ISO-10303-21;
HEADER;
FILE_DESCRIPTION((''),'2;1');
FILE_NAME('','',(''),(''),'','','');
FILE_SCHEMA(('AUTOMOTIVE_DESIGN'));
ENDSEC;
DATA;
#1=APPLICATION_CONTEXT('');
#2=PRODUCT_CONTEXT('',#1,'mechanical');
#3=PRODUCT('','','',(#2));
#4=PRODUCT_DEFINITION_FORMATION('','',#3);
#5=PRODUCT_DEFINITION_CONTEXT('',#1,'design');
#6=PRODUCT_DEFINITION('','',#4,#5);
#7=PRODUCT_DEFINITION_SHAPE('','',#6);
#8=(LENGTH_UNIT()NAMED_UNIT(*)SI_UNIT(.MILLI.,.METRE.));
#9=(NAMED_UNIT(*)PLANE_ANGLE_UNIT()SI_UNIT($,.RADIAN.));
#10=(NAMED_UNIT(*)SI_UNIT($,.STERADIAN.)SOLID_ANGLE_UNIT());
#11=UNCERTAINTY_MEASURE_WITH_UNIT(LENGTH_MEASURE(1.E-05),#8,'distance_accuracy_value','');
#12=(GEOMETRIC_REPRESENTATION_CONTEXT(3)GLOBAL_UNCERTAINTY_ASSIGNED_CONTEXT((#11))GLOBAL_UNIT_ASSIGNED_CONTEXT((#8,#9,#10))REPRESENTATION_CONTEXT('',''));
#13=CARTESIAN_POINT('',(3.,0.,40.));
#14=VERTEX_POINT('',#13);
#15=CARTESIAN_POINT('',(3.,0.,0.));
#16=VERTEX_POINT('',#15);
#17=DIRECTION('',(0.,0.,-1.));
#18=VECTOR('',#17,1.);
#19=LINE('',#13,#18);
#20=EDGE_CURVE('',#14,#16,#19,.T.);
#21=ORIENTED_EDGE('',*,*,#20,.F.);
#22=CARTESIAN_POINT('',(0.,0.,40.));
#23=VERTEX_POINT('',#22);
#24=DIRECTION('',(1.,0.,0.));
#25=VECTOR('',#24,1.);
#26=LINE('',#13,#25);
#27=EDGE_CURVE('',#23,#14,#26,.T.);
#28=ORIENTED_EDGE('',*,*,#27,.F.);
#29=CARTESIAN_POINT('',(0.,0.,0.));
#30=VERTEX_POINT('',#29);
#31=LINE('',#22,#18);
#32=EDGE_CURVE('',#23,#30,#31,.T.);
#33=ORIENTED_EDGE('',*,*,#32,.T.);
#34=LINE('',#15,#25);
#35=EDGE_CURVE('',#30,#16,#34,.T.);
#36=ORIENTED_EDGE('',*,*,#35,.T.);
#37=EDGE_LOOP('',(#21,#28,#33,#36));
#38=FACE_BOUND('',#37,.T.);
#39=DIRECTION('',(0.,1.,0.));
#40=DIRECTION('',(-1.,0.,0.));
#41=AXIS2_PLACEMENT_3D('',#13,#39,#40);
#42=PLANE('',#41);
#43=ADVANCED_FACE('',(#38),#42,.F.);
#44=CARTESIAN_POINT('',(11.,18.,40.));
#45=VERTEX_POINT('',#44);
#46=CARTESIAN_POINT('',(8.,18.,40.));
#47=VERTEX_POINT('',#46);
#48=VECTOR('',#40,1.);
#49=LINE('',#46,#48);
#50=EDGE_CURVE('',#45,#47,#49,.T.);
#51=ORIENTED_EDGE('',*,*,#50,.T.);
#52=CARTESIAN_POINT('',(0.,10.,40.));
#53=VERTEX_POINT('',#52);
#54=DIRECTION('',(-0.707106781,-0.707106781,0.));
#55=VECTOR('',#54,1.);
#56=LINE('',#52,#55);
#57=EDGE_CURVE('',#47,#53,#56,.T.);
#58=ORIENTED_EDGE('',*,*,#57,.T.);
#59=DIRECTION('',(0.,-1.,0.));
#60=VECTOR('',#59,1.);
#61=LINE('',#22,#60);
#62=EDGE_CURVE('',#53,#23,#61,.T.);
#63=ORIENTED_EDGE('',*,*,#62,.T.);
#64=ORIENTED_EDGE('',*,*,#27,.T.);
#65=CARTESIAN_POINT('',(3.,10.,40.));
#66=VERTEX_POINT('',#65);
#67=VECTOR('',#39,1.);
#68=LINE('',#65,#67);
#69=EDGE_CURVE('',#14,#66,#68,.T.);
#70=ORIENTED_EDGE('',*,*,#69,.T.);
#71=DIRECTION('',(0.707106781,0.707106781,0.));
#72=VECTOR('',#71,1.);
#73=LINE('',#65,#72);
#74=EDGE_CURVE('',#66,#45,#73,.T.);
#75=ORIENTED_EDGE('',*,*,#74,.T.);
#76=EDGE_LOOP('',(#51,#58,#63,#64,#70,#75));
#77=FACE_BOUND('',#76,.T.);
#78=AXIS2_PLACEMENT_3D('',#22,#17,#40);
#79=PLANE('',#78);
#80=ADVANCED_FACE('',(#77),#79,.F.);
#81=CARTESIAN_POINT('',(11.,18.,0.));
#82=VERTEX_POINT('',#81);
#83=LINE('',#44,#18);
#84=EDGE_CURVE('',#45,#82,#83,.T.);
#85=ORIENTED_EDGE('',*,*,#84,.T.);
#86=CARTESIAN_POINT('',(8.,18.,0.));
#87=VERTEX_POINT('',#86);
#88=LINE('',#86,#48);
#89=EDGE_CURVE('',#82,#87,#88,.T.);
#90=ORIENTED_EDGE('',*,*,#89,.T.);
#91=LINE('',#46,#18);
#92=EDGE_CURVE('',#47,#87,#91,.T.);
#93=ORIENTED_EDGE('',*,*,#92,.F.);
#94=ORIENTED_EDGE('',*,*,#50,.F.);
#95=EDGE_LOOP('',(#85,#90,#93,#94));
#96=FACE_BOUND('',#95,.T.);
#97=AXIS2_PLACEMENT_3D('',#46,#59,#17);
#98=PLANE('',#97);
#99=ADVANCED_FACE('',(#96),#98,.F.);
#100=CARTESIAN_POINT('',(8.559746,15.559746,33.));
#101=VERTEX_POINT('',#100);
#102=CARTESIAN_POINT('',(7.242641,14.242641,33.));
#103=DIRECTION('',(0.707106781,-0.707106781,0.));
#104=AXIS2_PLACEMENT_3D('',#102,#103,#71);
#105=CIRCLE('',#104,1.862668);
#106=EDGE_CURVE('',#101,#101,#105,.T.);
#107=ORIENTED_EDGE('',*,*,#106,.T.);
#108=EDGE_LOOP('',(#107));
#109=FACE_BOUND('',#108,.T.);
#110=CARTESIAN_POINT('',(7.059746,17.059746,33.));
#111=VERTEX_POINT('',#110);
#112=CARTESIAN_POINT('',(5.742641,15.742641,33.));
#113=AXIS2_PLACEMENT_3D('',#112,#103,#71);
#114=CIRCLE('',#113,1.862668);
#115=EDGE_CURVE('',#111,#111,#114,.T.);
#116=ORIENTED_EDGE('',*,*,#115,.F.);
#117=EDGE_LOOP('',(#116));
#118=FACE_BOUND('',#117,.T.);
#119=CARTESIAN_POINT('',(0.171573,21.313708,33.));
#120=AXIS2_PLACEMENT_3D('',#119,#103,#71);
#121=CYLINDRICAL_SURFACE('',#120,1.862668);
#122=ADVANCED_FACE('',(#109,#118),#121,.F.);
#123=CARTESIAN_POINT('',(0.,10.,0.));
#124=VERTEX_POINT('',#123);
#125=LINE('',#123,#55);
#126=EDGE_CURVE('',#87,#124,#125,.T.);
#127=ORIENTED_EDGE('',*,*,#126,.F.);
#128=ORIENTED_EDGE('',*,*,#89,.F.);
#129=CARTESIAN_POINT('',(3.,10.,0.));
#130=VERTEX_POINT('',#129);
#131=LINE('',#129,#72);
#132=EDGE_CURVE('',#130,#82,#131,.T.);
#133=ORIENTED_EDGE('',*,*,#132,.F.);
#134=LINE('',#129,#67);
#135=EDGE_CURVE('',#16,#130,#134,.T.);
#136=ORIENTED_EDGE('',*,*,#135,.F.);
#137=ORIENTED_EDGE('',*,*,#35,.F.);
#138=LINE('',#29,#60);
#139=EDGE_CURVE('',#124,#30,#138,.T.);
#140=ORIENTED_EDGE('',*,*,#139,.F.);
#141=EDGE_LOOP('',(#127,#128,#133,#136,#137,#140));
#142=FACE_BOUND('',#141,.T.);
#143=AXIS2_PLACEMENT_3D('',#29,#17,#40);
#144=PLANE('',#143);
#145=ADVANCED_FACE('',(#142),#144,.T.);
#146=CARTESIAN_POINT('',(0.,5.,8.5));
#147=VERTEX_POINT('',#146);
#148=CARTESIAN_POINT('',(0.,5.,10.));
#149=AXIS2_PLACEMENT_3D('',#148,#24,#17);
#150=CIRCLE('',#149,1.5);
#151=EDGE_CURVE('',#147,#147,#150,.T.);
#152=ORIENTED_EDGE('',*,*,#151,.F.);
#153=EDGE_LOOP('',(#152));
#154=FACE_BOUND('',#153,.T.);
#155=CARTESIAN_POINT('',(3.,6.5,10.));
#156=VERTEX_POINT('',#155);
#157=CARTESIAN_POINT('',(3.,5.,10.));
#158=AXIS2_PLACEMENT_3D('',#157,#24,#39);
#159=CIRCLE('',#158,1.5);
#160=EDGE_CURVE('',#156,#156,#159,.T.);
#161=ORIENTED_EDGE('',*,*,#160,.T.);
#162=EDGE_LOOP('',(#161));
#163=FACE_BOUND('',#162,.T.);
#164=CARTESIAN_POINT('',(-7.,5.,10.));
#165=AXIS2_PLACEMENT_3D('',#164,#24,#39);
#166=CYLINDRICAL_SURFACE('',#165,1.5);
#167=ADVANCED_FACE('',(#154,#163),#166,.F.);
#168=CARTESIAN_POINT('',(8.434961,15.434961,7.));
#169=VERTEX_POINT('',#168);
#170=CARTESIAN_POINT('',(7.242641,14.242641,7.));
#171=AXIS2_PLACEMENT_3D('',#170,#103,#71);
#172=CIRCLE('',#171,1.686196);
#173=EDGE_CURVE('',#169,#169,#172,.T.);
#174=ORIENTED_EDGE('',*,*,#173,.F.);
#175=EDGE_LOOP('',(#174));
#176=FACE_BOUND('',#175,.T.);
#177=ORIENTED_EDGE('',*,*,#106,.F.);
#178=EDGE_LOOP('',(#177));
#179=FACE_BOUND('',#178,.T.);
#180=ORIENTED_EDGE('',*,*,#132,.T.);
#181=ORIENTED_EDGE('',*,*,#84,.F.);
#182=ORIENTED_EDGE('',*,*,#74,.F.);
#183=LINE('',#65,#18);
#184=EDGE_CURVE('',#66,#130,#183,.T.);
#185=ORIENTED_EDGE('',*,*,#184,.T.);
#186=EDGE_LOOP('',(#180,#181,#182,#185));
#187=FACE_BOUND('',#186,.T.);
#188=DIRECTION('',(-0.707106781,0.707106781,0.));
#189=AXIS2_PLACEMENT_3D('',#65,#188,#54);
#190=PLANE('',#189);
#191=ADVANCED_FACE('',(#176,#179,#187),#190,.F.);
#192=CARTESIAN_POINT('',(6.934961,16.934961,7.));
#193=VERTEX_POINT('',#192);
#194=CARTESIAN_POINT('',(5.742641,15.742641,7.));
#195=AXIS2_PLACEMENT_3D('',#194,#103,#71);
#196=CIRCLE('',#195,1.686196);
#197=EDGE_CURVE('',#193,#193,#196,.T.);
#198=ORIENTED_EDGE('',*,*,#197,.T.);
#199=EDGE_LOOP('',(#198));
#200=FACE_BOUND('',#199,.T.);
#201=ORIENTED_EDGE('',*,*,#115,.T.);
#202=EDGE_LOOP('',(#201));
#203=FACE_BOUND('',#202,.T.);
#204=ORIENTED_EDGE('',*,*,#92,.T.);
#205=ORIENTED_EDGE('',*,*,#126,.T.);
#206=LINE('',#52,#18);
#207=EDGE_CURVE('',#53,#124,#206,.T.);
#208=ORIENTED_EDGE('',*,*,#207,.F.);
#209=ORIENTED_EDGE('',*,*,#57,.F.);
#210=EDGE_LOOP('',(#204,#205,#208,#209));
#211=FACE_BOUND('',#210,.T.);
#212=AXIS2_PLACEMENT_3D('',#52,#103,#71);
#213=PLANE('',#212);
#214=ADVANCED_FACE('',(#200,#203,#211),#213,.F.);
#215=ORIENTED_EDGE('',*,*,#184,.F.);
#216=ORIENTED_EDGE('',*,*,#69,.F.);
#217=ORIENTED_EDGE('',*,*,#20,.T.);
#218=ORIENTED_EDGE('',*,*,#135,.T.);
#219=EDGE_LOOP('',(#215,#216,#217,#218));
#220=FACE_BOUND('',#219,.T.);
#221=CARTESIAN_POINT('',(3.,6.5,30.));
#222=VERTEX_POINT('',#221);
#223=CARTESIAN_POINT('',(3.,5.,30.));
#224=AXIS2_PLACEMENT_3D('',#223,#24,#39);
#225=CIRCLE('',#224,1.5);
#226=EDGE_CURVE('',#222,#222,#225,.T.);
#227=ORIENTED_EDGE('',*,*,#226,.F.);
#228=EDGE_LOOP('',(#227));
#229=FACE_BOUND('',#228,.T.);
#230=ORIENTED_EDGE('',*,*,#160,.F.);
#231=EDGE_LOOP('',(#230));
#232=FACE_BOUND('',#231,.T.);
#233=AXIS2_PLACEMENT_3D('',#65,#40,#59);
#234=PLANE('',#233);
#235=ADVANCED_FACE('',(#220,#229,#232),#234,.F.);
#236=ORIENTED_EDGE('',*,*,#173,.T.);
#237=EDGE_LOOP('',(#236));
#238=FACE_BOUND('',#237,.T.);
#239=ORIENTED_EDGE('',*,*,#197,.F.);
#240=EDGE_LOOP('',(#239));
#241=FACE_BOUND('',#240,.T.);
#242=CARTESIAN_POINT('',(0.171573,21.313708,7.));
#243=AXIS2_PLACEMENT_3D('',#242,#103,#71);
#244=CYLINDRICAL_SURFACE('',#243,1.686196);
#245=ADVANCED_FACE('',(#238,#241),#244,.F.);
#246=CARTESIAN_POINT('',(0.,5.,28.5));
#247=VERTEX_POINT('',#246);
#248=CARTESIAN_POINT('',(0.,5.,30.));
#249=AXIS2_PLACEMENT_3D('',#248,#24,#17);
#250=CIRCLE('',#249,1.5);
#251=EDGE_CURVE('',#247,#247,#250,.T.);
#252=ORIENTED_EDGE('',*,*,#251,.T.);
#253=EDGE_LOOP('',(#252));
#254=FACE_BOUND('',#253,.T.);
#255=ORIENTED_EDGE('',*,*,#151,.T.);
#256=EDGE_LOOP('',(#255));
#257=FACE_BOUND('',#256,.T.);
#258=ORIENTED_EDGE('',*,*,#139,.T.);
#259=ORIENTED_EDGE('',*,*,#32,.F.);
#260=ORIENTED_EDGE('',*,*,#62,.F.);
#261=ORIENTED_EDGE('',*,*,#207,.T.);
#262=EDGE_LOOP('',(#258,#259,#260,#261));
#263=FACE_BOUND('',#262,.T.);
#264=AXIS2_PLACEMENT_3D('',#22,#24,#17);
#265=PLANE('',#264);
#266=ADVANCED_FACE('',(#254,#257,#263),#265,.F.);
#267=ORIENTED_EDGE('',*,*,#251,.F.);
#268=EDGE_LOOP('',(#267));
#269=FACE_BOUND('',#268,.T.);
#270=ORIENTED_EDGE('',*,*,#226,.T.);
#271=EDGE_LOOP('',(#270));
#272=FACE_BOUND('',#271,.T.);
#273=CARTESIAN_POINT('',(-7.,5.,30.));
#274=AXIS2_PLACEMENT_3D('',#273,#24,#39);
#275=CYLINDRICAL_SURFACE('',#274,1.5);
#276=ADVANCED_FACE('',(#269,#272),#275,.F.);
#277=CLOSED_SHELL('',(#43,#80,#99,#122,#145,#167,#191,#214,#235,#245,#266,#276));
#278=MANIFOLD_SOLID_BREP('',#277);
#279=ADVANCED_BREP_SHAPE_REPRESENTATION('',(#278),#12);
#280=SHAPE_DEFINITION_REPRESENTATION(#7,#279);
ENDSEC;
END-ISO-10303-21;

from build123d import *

# Parameters (mm, degrees)
EXTRUDE_2_DEPTH     = 40
SKETCH_3_R          = 1.5
CUT_EXTRUDE_1_DEPTH = 10
SKETCH_4_R          = 1.686195938
SKETCH_4_R_2        = 1.862668349
CUT_EXTRUDE_2_DEPTH = 10


with BuildPart() as part:
    # 草图2 → 凸台-拉伸2 (new body)
    with BuildSketch(Plane.XY):
        Polygon((0, 0), (0, 10), (8, 18), (11, 18), (3, 10), (3, 0), align=None)
    extrude(amount=EXTRUDE_2_DEPTH)

    # 草图3 → 切除-拉伸1 (cut)
    with BuildSketch(Plane(origin=(3, 0, 0), x_dir=(0, 0, -1), z_dir=(1, 0, 0))):
        with Locations(Location((-10, 5, 0), (0, 0, 90))):
            Circle(SKETCH_3_R)
        with Locations(Location((-30, 5, 0), (0, 0, 90))):
            Circle(SKETCH_3_R)
    extrude(amount=-CUT_EXTRUDE_1_DEPTH, mode=Mode.SUBTRACT)

    # 草图4 → 切除-拉伸2 (cut)
    with BuildSketch(Plane(origin=(-3.5, 3.5, 0), x_dir=(0, 0, -1), z_dir=(0.7071067811865515, -0.7071067811865437, 0))):
        with Locations(Location((-7, 15.192388155, 0), (0, 0, 90))):
            Circle(SKETCH_4_R)
        with Locations(Location((-33, 15.192388155, 0), (0, 0, 90))):
            Circle(SKETCH_4_R_2)
    extrude(amount=-CUT_EXTRUDE_2_DEPTH, mode=Mode.SUBTRACT)


solid = part.part
